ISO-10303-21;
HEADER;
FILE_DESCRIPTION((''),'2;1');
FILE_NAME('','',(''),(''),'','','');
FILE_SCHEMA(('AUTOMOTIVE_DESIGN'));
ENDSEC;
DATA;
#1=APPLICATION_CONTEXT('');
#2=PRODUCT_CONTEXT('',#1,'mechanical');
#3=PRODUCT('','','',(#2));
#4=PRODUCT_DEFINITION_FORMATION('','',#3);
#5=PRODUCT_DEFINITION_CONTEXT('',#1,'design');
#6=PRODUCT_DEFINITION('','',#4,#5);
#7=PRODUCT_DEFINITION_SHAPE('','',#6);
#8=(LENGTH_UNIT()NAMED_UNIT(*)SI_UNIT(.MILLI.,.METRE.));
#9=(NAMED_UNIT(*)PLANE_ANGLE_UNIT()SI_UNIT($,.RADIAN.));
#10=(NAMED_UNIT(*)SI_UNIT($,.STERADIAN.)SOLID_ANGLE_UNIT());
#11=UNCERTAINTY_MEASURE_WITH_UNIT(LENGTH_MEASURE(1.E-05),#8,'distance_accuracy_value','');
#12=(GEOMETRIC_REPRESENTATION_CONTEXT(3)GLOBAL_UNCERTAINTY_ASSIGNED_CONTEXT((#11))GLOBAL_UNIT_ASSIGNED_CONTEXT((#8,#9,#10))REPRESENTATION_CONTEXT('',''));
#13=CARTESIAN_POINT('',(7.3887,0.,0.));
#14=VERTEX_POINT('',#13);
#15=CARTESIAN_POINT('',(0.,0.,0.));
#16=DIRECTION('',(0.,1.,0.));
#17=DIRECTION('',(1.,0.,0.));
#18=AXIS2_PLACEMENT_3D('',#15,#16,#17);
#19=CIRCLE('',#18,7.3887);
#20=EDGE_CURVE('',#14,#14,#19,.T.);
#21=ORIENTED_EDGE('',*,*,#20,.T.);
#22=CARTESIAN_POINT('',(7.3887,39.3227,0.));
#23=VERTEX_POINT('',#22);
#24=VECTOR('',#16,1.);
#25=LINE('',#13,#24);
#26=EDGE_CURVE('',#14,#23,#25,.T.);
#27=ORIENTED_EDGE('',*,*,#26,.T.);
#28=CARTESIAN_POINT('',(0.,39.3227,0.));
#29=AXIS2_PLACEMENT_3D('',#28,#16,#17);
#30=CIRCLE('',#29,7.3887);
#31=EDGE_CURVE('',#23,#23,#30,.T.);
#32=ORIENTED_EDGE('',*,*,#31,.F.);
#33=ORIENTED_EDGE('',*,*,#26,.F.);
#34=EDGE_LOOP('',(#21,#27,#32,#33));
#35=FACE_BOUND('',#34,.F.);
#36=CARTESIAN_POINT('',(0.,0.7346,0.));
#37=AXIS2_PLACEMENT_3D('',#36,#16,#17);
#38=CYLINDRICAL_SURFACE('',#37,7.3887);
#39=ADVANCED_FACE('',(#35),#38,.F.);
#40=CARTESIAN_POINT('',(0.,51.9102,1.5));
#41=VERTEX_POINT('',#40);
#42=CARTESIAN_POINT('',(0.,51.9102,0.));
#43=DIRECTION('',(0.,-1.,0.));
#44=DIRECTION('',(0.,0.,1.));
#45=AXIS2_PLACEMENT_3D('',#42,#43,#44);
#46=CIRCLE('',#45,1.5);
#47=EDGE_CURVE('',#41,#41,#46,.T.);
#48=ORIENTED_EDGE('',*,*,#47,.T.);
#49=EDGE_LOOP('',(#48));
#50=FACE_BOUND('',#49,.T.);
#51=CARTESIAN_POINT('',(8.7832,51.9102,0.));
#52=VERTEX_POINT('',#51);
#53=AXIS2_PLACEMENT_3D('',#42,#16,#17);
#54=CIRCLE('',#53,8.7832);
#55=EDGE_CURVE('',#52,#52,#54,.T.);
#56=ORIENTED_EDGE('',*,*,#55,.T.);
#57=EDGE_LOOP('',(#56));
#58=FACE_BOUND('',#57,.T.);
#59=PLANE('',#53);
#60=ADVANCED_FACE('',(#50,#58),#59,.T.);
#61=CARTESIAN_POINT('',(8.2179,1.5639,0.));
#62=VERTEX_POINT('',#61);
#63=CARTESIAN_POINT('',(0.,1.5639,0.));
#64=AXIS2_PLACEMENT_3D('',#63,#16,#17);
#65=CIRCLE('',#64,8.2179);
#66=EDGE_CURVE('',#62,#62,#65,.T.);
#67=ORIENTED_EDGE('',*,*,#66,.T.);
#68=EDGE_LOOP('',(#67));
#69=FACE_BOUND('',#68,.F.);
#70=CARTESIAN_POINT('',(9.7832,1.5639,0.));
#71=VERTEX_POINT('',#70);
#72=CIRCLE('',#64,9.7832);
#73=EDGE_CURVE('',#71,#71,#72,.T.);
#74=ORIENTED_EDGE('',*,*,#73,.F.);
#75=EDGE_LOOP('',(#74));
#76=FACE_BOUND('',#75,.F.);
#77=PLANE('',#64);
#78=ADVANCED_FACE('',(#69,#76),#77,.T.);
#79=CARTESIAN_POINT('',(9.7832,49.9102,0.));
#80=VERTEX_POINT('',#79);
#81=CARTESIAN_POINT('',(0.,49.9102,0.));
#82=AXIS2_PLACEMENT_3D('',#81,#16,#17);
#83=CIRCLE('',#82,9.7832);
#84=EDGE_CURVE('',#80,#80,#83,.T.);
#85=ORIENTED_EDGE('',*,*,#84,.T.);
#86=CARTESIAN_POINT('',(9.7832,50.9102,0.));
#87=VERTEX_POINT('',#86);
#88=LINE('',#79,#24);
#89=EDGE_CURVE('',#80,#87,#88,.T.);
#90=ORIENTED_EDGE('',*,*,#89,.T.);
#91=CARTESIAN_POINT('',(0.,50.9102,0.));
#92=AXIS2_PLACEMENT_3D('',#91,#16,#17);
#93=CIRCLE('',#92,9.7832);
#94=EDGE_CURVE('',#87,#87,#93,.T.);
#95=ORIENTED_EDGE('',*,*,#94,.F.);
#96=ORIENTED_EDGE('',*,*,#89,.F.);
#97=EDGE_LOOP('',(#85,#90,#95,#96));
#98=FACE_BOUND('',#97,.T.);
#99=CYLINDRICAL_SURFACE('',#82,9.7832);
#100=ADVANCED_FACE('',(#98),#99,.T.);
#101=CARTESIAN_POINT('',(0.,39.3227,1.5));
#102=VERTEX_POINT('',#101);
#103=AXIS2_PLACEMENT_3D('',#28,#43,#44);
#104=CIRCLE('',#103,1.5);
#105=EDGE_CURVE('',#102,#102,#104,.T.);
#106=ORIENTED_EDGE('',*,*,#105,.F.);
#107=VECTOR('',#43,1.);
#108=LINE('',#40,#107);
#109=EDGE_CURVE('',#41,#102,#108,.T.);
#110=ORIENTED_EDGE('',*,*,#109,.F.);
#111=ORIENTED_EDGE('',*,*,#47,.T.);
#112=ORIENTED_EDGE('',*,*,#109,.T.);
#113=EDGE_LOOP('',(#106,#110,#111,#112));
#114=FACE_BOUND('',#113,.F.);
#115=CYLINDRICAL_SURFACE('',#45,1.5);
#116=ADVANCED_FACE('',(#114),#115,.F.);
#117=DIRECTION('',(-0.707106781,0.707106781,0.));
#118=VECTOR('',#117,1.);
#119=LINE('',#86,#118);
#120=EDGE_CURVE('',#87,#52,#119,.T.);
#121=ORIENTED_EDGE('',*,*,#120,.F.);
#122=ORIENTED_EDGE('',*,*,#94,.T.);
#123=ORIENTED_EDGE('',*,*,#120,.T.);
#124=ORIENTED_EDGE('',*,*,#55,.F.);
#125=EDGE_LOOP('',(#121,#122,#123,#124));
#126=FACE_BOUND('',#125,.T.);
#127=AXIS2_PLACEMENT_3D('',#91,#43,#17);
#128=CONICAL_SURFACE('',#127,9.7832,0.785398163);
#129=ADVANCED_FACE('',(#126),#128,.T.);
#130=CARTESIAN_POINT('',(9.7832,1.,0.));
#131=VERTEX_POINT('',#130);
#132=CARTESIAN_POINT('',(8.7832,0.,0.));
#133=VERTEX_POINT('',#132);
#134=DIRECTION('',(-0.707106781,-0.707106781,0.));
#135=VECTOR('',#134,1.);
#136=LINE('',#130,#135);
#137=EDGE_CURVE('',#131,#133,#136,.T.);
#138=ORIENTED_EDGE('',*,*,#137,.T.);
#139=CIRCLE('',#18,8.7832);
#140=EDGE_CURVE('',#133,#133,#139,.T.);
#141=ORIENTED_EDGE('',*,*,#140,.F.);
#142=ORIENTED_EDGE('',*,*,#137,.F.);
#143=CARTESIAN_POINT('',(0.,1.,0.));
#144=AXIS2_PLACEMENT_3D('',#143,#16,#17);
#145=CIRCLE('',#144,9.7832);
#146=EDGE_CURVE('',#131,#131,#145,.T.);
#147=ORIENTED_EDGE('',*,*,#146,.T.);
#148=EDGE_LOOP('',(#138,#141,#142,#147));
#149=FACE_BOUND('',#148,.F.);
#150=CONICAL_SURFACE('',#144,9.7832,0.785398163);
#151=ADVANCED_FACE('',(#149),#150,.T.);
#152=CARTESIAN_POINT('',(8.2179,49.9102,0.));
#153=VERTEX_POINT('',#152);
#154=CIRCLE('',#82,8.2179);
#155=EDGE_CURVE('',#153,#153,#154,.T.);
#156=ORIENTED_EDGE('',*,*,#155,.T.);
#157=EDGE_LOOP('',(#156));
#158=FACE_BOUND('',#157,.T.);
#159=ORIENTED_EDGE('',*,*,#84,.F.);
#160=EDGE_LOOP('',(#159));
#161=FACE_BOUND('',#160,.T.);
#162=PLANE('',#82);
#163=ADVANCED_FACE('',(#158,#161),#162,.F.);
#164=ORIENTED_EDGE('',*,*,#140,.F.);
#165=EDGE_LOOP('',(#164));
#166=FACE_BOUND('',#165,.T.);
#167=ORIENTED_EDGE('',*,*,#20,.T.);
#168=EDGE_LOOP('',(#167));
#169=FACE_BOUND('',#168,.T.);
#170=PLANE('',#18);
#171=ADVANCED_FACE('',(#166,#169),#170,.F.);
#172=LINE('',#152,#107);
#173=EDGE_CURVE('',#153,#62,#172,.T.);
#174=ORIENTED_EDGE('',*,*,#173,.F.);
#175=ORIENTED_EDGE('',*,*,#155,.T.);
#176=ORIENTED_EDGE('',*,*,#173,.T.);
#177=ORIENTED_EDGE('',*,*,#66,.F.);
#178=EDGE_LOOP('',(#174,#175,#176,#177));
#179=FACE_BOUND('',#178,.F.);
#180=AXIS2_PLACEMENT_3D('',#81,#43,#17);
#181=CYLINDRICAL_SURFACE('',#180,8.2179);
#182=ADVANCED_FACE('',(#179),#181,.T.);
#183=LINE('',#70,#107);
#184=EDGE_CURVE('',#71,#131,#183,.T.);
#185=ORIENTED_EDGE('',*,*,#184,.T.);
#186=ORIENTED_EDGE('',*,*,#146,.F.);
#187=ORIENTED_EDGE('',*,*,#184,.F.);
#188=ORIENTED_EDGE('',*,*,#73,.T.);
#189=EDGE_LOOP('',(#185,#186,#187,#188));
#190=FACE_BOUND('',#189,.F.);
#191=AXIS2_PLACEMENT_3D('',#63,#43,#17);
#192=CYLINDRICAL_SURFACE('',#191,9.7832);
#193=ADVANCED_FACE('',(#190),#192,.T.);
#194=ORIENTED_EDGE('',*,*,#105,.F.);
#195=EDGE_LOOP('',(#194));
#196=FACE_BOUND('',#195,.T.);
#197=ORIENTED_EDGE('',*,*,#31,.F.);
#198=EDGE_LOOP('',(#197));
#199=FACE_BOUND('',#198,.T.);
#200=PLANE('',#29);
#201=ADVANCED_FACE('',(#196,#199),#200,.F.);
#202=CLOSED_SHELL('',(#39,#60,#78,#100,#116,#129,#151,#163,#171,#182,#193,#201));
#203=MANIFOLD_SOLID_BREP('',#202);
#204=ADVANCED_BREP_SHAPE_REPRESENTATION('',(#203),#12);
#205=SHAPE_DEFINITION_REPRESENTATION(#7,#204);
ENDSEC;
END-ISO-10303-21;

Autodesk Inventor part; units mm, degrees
ref_plane "YZ Plane" through (0, 0, 0) normal (1, 0, 0) x (0, 1, 0)
ref_plane "XZ Plane" through (0, 0, 0) normal (0, 1, 0) x (-1, 0, 0)
ref_plane "XY Plane" through (0, 0, 0) normal (0, 0, 1) x (1, 0, 0)
sketch "Esboço1" plane through (0, 0, 0) normal (0, 0, 1) x (1, 0, 0)
  line L0 (0, 0) -> (0, 57)
  line L1 (8.2179, 1.5639) -> (9.7832, 1.5639)
  line L2 (9.7832, 1.5639) -> (9.7832, 0)
  line L3 (7.3887, 0.7346) -> (7.3887, 39.3227)
  line L4 (7.3887, 0.7346) -> (7.3887, 0)
  line L5 (7.3887, 0) -> (9.7832, 0)
  line L6 (9.7832, 0) -> (7.3887, 0)
  line L7 (0.8292, 0) -> (0, 0)
  line L8 (0, 42.2247) -> (0, 57)
  line L9 (0, 42.2247) -> (0, 39.7247)
  line L10 (0, 55.3122) -> (0, 52.8122)
  line L11 (8.2179, 49.9102) -> (8.2179, 1.5639)
  line L12 (0, 42.2247) -> (0, 39.3227)
  line L13 (0, 39.3227) -> (7.3887, 39.3227)
  line L14 (0, 52.8122) -> (0, 49.9102)
  line L15 (8.2179, 49.9102) -> (9.7832, 49.9102)
  line L16 (9.7832, 49.9102) -> (9.7832, 51.9102)
  line L17 (9.7832, 51.9102) -> (0, 51.9102)
revolve "Revolução1" add sketch "Esboço1" angle 360 about axis through (0, 0, 0) along (0, 1, 0)
chamfer "Chanfro2" distance 1 angle 45 1 edges at (-9.7832, 0, 0)
chamfer "Chanfro4" distance 1 angle 45 1 edges at (-9.7832, 51.9102, 0)
sketch "Esboço4" plane through (0, 51.9102, 0) normal (0, 1, 0) x (1, 0, 0)
  circle A0 centre (0, 0) radius 8.7832 projected
hole "Furo2" at (0, 51.9102, 0) direction (0, -1, 0) diameter 3 depth 19.499 tip angle 118
properties part number "roda"
